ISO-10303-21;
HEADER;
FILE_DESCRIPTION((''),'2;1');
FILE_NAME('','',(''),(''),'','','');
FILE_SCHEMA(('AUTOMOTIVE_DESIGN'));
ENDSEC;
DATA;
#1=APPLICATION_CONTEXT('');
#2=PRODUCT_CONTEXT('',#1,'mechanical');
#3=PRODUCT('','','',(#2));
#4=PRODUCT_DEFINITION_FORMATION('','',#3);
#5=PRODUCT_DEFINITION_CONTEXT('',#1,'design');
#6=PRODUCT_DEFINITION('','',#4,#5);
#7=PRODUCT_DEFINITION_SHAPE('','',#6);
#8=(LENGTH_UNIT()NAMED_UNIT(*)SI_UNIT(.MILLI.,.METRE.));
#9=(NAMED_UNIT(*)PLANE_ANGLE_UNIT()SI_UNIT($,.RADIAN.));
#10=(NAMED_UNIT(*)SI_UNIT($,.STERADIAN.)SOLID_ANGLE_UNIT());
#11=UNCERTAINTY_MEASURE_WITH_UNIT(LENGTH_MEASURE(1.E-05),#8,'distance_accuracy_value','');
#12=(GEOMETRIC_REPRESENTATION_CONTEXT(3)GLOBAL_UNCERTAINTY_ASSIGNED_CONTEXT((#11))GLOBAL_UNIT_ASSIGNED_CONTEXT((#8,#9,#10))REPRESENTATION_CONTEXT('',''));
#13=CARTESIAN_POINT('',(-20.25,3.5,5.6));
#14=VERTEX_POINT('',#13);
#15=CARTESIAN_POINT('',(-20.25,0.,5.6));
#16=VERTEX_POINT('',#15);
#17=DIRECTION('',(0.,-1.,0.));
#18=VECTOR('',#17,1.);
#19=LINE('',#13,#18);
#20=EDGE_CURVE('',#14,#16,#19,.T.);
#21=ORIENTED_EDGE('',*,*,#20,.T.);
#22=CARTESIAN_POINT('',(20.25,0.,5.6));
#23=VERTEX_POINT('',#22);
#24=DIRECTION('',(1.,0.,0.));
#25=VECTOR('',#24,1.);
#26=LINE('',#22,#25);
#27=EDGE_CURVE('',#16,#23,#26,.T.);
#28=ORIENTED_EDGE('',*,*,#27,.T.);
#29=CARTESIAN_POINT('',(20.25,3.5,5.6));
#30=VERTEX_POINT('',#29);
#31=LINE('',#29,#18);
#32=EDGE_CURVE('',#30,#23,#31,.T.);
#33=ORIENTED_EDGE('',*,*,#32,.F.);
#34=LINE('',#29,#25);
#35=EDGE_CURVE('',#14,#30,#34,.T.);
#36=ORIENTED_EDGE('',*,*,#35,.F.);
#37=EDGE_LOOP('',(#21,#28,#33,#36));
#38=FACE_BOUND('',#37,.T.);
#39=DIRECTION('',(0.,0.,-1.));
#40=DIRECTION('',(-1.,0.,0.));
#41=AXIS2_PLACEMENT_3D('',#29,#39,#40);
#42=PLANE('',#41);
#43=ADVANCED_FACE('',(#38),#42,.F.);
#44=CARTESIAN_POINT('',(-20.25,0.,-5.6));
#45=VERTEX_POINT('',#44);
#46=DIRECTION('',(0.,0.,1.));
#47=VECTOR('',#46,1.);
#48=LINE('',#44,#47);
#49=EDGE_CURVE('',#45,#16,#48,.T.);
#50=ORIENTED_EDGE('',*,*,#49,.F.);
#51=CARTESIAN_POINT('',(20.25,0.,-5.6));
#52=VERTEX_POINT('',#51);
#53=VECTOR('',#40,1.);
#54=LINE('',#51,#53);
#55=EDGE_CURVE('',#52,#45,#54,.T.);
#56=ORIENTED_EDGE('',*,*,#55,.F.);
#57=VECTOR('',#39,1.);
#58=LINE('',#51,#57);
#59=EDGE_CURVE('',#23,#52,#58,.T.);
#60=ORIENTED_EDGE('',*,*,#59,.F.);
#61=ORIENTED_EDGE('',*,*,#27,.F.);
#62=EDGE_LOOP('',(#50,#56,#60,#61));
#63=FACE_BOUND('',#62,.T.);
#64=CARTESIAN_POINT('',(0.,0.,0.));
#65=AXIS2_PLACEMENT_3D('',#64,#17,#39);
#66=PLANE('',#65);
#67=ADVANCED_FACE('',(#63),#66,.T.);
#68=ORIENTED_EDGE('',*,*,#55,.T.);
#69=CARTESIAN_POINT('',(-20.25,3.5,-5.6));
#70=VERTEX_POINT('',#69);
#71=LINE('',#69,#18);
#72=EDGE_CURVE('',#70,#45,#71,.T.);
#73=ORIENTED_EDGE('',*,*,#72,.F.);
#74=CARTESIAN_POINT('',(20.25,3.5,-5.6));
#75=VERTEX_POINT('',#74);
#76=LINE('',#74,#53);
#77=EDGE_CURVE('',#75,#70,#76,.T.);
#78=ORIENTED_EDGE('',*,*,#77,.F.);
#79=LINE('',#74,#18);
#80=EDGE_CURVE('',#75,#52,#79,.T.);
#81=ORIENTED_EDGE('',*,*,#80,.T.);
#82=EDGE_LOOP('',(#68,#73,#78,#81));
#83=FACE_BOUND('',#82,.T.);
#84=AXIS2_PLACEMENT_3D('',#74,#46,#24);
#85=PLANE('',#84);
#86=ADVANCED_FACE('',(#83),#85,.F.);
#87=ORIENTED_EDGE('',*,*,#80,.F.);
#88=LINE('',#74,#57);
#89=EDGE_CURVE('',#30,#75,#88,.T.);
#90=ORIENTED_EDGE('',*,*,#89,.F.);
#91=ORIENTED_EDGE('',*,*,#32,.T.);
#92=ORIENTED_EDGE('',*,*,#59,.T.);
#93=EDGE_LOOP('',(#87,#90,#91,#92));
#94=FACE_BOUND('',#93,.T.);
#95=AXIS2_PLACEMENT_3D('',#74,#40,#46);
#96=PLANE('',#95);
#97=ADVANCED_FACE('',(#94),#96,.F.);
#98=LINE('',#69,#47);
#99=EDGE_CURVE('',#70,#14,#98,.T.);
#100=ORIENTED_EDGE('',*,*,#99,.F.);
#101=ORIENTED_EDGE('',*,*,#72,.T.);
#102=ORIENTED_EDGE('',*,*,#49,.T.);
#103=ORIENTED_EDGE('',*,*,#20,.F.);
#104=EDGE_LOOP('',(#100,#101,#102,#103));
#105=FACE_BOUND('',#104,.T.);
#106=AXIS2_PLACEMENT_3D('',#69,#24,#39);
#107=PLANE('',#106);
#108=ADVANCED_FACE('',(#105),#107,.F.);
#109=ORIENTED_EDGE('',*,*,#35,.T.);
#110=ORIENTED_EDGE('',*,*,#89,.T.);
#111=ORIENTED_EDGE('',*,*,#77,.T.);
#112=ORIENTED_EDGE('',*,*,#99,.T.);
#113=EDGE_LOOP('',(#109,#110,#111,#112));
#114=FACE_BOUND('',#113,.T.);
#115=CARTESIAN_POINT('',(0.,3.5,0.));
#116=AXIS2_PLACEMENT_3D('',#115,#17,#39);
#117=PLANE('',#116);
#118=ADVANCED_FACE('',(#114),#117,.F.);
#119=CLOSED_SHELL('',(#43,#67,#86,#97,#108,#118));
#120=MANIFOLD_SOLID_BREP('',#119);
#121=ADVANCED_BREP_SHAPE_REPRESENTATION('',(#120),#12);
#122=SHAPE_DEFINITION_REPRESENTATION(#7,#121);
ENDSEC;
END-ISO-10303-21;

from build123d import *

# Parameters (mm, degrees)
SKETCH_1_W      = 40.5
SKETCH_1_H      = 11.2
EXTRUDE_1_DEPTH = 3.5


with BuildPart() as part:
    # Эскиз1 → Бобышка-Вытянуть1 (new body)
    with BuildSketch(Plane(origin=(0, 0, 0), x_dir=(1, 0, 0), z_dir=(0, 1, 0))):
        Rectangle(SKETCH_1_W, SKETCH_1_H)
    extrude(amount=EXTRUDE_1_DEPTH)


solid = part.part
